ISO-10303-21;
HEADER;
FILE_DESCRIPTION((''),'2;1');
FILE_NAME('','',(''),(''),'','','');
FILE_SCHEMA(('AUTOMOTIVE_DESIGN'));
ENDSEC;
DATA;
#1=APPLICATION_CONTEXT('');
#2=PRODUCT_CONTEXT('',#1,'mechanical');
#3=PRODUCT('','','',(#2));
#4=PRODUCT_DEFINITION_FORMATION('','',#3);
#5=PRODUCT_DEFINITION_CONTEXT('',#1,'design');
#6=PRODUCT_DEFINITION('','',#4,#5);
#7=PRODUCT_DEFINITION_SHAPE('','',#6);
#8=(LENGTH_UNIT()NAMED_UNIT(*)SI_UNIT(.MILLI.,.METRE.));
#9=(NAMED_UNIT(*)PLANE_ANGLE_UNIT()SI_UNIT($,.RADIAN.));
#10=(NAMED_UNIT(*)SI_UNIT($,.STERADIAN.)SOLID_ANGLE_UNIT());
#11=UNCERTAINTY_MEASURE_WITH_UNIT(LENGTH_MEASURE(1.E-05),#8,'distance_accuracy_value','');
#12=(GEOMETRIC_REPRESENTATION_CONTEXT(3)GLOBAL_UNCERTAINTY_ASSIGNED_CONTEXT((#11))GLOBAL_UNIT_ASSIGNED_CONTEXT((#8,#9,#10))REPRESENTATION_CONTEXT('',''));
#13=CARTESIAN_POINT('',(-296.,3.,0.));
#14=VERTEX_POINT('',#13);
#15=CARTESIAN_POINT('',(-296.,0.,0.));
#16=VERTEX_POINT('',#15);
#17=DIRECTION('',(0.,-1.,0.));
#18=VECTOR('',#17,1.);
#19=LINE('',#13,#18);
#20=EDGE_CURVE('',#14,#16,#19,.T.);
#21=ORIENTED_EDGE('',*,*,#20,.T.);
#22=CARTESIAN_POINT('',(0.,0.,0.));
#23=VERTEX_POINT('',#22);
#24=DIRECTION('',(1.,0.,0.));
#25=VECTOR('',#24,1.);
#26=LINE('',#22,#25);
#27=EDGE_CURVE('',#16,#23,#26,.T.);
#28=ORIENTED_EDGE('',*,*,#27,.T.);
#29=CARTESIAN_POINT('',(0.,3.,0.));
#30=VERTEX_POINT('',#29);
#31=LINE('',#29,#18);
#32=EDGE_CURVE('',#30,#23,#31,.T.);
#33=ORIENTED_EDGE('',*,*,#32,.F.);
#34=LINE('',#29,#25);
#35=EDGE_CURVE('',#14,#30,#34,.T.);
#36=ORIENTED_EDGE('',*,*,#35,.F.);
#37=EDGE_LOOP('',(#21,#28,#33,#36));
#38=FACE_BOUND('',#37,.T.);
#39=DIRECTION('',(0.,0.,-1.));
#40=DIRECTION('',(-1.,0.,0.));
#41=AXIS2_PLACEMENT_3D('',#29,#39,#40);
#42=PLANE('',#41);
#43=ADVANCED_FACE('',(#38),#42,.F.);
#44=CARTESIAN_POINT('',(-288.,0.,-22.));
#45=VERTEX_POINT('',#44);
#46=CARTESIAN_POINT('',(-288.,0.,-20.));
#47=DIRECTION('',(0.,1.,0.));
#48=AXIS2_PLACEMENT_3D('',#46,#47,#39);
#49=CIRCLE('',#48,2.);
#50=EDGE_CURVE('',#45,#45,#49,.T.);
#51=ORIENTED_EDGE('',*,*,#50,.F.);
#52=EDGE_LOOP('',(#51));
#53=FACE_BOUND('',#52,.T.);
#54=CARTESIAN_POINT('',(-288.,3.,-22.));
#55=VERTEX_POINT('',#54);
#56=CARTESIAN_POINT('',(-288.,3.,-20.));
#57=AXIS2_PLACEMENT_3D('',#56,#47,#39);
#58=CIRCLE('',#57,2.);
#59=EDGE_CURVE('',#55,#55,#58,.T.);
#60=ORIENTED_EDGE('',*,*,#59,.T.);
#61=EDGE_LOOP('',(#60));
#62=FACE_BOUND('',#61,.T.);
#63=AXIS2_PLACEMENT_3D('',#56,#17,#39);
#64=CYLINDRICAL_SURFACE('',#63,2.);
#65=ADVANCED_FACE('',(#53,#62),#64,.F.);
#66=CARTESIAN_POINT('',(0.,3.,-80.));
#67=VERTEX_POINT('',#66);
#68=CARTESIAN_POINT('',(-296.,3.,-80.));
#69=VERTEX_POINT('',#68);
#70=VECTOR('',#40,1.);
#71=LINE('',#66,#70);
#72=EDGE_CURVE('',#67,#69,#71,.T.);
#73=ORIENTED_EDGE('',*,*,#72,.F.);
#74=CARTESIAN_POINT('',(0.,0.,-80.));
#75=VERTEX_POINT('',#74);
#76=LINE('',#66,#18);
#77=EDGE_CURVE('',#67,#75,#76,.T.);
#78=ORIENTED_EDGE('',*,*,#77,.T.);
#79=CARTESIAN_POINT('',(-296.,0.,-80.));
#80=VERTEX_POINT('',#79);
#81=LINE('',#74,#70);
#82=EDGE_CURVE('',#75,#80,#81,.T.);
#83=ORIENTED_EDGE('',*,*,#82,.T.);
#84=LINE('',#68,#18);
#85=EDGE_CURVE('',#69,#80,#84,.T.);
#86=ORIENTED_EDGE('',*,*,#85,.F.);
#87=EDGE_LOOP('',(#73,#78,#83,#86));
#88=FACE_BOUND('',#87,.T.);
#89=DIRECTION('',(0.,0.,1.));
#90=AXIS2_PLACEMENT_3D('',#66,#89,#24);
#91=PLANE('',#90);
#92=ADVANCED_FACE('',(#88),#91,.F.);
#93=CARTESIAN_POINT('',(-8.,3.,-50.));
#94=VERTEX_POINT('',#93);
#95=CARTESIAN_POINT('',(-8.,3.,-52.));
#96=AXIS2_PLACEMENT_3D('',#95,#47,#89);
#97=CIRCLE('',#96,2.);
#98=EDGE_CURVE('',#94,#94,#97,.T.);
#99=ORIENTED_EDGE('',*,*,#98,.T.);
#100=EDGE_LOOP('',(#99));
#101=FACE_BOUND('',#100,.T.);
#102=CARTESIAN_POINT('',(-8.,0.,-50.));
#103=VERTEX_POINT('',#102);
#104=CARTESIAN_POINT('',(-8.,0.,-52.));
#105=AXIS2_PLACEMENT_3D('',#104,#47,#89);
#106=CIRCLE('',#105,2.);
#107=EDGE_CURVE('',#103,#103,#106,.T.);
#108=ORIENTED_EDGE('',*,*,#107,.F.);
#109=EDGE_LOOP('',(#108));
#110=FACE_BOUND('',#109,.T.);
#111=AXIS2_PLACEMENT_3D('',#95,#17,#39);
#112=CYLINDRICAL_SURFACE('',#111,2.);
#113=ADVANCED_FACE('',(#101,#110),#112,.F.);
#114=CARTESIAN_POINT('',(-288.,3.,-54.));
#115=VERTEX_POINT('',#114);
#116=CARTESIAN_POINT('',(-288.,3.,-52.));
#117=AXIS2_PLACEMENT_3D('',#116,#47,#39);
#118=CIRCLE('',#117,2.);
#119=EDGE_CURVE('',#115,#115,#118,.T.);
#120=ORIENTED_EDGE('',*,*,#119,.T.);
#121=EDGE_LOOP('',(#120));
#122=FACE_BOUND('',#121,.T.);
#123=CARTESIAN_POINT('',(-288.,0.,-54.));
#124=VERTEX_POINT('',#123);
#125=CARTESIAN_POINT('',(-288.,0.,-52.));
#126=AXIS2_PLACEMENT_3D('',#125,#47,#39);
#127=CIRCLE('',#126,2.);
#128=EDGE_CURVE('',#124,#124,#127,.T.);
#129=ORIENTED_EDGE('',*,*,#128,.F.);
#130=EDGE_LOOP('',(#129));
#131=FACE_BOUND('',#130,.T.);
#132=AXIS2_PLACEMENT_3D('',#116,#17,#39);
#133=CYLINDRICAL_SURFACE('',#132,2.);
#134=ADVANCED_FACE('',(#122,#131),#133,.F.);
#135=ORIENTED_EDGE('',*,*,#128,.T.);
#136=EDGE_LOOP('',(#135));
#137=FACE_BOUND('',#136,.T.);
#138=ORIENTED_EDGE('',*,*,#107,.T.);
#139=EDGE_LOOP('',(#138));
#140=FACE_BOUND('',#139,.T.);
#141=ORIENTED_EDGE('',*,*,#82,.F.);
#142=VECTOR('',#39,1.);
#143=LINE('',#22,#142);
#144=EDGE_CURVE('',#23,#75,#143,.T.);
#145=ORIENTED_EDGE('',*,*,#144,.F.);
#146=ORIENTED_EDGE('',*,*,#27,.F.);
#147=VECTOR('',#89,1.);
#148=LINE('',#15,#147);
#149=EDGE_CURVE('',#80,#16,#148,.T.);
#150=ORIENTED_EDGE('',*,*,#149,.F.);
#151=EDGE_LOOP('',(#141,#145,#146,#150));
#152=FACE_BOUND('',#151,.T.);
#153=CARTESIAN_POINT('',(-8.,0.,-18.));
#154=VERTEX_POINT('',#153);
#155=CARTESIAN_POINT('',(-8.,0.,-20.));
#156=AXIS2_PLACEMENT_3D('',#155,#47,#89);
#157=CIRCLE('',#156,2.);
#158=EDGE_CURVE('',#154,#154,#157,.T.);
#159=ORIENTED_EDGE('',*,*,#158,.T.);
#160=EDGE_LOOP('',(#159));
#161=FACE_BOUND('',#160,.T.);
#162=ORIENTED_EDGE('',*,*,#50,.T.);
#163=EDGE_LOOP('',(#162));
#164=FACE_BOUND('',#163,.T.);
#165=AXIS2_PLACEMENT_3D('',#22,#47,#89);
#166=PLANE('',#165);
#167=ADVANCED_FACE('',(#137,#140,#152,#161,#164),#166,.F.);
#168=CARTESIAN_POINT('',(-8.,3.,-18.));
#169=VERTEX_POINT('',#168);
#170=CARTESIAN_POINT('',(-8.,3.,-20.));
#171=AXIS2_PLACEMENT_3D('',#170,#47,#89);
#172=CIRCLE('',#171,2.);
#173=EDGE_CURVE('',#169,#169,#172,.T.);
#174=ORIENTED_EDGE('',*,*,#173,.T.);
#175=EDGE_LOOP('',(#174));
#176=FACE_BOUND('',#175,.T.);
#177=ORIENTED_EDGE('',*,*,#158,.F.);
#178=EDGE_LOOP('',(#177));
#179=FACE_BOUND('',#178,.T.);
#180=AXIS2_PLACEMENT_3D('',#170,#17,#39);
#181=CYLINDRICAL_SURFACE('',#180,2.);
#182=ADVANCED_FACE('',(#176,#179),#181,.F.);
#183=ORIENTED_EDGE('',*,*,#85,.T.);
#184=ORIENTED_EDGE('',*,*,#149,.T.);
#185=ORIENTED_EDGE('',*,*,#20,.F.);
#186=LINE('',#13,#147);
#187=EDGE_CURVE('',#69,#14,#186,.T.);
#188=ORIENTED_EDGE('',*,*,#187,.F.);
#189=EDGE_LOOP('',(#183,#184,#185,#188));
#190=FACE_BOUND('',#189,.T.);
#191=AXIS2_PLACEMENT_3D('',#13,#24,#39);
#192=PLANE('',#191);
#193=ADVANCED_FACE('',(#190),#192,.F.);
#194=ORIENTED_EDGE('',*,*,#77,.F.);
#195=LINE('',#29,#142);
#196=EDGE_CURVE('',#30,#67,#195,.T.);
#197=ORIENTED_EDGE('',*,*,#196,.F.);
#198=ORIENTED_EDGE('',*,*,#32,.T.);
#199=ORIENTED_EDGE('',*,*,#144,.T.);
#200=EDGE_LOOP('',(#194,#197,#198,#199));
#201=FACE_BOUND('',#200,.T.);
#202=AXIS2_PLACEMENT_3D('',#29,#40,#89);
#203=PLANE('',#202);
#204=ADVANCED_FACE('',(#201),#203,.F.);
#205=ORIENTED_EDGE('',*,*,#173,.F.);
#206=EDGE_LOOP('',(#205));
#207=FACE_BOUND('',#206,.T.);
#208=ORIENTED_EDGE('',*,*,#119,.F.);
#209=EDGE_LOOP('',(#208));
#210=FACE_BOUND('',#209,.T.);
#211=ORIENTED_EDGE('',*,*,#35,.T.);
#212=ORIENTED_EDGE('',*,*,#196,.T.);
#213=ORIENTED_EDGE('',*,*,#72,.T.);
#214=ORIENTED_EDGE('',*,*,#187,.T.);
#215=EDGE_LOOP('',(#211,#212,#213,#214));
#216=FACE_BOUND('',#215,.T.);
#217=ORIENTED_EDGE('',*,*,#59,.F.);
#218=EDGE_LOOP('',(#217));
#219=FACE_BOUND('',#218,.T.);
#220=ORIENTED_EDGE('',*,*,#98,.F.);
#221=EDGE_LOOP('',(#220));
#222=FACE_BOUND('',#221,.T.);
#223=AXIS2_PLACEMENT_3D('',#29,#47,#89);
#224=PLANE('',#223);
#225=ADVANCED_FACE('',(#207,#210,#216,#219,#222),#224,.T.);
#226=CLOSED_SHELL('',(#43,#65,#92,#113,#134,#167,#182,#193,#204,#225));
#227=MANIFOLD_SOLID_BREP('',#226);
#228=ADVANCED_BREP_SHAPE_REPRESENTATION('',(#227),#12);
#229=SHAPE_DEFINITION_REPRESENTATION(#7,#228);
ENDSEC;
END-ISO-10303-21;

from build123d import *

# Parameters (mm, degrees)
SKETCH1_W           = 296
SKETCH1_H           = 80
SKETCH1_R           = 2
BOSS_EXTRUDE1_DEPTH = 3


with BuildPart() as part:
    # Sketch1 → Boss-Extrude1 (new body)
    with BuildSketch(Plane(origin=(0, 0, 0), x_dir=(1, 0, 0), z_dir=(0, 1, 0))):
        with Locations((-148, 40)):
            Rectangle(SKETCH1_W, SKETCH1_H)
        with Locations(Location((-8, 20, 0), (0, 0, 270))):
            Circle(SKETCH1_R, mode=Mode.SUBTRACT)
        with Locations(Location((-8, 52, 0), (0, 0, 270))):
            Circle(SKETCH1_R, mode=Mode.SUBTRACT)
        with Locations(Location((-288, 52, 0), (0, 0, 90))):
            Circle(SKETCH1_R, mode=Mode.SUBTRACT)
        with Locations(Location((-288, 20, 0), (0, 0, 90))):
            Circle(SKETCH1_R, mode=Mode.SUBTRACT)
    extrude(amount=BOSS_EXTRUDE1_DEPTH)


solid = part.part
